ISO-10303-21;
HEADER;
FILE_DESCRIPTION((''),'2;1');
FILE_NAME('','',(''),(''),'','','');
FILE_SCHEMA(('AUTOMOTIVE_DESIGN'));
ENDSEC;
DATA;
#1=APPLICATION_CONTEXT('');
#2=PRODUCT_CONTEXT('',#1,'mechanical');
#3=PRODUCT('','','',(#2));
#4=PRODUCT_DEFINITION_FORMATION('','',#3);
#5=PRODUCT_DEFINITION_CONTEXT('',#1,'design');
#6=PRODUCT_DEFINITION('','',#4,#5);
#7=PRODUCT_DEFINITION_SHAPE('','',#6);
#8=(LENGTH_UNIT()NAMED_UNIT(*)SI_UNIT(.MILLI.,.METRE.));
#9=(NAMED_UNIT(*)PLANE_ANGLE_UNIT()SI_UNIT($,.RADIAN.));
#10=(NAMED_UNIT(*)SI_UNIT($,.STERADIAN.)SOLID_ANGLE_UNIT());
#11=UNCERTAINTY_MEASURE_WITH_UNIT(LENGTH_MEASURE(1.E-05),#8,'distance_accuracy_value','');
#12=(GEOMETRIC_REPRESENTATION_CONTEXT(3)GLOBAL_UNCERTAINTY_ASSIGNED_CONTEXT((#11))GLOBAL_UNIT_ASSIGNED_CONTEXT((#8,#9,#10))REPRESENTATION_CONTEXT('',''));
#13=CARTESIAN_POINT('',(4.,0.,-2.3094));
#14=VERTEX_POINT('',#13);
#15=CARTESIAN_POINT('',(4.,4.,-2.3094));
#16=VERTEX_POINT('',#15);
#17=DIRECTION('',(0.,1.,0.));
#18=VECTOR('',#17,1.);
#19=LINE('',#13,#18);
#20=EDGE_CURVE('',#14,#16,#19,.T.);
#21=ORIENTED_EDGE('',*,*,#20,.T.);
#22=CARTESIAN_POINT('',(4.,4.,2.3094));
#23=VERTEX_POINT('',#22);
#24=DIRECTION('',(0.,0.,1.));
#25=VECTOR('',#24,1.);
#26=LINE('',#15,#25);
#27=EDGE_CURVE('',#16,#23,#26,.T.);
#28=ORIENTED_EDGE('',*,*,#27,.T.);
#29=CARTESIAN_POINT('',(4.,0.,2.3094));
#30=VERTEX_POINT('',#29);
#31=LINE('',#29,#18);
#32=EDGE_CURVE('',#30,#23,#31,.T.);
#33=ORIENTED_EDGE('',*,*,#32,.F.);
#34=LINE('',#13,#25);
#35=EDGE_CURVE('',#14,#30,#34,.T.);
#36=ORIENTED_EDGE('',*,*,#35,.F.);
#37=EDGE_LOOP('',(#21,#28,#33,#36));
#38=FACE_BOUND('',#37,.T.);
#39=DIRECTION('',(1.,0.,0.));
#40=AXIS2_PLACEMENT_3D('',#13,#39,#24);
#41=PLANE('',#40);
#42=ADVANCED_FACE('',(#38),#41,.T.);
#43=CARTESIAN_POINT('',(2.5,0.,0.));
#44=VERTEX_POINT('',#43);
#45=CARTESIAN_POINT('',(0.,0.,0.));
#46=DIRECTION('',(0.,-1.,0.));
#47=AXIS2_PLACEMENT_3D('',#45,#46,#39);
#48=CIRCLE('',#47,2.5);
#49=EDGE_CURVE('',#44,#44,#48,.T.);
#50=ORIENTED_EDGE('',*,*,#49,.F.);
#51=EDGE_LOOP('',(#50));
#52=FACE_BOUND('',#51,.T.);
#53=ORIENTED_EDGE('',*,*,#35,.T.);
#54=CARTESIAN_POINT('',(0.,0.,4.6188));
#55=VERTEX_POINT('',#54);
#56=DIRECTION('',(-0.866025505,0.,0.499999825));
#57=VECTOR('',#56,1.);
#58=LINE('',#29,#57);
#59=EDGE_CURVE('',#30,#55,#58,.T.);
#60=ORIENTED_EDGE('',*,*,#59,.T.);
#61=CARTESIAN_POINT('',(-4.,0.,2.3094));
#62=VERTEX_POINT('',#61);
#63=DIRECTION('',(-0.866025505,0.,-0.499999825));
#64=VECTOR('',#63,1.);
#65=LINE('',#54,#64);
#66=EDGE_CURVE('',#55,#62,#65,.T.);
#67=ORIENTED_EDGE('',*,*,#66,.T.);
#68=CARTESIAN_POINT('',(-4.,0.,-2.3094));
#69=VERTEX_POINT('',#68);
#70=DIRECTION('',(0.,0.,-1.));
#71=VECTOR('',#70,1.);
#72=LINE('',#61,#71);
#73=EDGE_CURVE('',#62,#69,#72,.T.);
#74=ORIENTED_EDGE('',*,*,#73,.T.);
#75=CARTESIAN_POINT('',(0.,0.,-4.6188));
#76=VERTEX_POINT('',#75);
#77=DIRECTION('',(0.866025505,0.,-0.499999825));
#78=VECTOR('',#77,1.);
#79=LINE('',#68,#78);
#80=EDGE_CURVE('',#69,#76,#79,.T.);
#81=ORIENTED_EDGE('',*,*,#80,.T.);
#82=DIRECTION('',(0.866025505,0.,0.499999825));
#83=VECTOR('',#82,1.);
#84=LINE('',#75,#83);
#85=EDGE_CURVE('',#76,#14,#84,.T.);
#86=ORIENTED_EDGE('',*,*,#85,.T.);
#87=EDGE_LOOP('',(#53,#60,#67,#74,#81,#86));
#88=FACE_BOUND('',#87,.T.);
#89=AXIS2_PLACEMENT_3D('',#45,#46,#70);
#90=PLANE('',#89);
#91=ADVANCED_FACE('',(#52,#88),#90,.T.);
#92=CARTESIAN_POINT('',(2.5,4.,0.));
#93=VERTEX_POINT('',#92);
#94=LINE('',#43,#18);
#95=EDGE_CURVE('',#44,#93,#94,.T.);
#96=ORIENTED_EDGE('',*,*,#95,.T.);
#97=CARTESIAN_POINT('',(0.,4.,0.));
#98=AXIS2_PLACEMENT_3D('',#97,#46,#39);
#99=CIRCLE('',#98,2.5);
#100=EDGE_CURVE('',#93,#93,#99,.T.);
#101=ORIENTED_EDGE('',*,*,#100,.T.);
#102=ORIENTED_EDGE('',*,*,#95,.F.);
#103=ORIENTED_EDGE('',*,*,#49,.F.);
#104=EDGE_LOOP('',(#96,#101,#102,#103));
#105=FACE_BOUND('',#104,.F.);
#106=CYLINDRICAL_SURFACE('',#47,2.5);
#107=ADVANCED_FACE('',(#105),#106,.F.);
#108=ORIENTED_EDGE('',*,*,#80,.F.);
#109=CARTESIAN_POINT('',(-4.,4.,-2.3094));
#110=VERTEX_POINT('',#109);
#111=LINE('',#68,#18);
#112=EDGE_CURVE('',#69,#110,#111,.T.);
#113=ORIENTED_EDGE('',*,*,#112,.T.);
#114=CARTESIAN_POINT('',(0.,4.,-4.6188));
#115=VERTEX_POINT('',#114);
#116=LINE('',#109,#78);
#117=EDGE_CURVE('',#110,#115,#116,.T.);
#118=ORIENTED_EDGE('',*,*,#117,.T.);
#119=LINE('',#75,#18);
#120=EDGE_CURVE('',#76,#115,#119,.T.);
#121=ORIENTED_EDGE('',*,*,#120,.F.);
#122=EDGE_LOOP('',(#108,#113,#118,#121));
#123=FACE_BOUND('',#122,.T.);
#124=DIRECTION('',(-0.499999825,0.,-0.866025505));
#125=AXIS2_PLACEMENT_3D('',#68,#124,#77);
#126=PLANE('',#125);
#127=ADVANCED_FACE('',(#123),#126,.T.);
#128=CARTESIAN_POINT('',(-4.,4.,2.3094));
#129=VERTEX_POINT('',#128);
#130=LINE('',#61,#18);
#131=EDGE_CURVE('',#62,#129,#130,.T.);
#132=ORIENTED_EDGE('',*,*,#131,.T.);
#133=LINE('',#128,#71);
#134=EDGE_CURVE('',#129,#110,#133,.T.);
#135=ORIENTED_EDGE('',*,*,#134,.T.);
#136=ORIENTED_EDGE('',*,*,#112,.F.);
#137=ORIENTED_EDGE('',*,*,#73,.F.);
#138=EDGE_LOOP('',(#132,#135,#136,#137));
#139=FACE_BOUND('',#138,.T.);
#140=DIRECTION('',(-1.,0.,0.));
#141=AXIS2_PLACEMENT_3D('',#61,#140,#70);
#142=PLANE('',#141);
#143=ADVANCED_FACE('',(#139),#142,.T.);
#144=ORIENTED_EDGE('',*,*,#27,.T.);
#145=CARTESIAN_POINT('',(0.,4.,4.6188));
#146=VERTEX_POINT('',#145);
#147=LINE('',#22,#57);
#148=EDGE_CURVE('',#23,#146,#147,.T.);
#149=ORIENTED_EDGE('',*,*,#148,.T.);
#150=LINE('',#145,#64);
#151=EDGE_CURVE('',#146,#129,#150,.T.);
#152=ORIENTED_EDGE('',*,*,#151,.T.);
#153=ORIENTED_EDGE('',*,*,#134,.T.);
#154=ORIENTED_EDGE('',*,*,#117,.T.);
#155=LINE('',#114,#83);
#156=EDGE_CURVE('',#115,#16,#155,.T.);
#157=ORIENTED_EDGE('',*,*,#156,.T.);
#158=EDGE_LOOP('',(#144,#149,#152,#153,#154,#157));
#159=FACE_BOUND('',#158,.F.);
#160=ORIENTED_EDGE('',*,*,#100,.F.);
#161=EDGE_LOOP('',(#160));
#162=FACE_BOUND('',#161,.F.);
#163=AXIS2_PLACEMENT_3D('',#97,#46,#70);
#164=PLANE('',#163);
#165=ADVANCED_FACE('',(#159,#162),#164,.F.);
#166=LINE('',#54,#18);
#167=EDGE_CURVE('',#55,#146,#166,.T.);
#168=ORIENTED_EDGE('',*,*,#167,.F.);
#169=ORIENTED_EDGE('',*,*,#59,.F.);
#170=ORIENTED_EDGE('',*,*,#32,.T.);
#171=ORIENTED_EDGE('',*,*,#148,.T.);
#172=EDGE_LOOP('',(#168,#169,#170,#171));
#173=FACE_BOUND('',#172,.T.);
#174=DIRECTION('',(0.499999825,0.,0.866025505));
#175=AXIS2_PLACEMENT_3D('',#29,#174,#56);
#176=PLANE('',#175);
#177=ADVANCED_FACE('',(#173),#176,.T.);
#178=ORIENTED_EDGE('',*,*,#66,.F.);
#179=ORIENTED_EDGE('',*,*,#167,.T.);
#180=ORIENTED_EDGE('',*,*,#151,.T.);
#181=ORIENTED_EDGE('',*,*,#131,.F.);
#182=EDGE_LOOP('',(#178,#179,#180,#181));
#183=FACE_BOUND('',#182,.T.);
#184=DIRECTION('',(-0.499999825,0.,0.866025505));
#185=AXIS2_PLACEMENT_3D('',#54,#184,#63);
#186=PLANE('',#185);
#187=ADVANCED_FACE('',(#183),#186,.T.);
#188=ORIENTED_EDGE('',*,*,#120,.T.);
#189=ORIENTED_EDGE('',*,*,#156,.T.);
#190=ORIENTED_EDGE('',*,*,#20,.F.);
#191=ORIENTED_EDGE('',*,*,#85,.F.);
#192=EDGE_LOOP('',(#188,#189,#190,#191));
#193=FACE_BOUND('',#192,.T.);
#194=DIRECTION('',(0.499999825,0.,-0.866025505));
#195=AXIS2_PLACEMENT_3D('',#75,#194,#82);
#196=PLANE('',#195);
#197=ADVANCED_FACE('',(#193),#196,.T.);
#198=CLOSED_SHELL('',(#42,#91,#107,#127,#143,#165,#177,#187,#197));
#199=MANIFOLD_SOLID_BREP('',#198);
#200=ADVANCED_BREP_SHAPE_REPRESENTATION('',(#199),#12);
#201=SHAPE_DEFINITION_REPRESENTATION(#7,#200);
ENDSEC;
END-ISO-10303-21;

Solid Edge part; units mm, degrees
sketch "Sketch1" plane through (0, 0, 0) normal (0, -1, 0) x (1, 0, 0)
  line L0 (4, 2.3094) -> (0, 4.6188)
  line L1 (0, 4.6188) -> (-4, 2.3094)
  line L2 (-4, 2.3094) -> (-4, -2.3094)
  line L3 (-4, -2.3094) -> (0, -4.6188)
  line L4 (0, -4.6188) -> (4, -2.3094)
  line L5 (4, -2.3094) -> (4, 2.3094)
  circle A0 centre (0, 0) radius 2.5
  dimension "D1" = 8
  dimension "D2" = 5
extrude "Protrusion1" add sketch "Sketch1" against normal blind 4
cosmetic_thread "Thread1" size "M5"
